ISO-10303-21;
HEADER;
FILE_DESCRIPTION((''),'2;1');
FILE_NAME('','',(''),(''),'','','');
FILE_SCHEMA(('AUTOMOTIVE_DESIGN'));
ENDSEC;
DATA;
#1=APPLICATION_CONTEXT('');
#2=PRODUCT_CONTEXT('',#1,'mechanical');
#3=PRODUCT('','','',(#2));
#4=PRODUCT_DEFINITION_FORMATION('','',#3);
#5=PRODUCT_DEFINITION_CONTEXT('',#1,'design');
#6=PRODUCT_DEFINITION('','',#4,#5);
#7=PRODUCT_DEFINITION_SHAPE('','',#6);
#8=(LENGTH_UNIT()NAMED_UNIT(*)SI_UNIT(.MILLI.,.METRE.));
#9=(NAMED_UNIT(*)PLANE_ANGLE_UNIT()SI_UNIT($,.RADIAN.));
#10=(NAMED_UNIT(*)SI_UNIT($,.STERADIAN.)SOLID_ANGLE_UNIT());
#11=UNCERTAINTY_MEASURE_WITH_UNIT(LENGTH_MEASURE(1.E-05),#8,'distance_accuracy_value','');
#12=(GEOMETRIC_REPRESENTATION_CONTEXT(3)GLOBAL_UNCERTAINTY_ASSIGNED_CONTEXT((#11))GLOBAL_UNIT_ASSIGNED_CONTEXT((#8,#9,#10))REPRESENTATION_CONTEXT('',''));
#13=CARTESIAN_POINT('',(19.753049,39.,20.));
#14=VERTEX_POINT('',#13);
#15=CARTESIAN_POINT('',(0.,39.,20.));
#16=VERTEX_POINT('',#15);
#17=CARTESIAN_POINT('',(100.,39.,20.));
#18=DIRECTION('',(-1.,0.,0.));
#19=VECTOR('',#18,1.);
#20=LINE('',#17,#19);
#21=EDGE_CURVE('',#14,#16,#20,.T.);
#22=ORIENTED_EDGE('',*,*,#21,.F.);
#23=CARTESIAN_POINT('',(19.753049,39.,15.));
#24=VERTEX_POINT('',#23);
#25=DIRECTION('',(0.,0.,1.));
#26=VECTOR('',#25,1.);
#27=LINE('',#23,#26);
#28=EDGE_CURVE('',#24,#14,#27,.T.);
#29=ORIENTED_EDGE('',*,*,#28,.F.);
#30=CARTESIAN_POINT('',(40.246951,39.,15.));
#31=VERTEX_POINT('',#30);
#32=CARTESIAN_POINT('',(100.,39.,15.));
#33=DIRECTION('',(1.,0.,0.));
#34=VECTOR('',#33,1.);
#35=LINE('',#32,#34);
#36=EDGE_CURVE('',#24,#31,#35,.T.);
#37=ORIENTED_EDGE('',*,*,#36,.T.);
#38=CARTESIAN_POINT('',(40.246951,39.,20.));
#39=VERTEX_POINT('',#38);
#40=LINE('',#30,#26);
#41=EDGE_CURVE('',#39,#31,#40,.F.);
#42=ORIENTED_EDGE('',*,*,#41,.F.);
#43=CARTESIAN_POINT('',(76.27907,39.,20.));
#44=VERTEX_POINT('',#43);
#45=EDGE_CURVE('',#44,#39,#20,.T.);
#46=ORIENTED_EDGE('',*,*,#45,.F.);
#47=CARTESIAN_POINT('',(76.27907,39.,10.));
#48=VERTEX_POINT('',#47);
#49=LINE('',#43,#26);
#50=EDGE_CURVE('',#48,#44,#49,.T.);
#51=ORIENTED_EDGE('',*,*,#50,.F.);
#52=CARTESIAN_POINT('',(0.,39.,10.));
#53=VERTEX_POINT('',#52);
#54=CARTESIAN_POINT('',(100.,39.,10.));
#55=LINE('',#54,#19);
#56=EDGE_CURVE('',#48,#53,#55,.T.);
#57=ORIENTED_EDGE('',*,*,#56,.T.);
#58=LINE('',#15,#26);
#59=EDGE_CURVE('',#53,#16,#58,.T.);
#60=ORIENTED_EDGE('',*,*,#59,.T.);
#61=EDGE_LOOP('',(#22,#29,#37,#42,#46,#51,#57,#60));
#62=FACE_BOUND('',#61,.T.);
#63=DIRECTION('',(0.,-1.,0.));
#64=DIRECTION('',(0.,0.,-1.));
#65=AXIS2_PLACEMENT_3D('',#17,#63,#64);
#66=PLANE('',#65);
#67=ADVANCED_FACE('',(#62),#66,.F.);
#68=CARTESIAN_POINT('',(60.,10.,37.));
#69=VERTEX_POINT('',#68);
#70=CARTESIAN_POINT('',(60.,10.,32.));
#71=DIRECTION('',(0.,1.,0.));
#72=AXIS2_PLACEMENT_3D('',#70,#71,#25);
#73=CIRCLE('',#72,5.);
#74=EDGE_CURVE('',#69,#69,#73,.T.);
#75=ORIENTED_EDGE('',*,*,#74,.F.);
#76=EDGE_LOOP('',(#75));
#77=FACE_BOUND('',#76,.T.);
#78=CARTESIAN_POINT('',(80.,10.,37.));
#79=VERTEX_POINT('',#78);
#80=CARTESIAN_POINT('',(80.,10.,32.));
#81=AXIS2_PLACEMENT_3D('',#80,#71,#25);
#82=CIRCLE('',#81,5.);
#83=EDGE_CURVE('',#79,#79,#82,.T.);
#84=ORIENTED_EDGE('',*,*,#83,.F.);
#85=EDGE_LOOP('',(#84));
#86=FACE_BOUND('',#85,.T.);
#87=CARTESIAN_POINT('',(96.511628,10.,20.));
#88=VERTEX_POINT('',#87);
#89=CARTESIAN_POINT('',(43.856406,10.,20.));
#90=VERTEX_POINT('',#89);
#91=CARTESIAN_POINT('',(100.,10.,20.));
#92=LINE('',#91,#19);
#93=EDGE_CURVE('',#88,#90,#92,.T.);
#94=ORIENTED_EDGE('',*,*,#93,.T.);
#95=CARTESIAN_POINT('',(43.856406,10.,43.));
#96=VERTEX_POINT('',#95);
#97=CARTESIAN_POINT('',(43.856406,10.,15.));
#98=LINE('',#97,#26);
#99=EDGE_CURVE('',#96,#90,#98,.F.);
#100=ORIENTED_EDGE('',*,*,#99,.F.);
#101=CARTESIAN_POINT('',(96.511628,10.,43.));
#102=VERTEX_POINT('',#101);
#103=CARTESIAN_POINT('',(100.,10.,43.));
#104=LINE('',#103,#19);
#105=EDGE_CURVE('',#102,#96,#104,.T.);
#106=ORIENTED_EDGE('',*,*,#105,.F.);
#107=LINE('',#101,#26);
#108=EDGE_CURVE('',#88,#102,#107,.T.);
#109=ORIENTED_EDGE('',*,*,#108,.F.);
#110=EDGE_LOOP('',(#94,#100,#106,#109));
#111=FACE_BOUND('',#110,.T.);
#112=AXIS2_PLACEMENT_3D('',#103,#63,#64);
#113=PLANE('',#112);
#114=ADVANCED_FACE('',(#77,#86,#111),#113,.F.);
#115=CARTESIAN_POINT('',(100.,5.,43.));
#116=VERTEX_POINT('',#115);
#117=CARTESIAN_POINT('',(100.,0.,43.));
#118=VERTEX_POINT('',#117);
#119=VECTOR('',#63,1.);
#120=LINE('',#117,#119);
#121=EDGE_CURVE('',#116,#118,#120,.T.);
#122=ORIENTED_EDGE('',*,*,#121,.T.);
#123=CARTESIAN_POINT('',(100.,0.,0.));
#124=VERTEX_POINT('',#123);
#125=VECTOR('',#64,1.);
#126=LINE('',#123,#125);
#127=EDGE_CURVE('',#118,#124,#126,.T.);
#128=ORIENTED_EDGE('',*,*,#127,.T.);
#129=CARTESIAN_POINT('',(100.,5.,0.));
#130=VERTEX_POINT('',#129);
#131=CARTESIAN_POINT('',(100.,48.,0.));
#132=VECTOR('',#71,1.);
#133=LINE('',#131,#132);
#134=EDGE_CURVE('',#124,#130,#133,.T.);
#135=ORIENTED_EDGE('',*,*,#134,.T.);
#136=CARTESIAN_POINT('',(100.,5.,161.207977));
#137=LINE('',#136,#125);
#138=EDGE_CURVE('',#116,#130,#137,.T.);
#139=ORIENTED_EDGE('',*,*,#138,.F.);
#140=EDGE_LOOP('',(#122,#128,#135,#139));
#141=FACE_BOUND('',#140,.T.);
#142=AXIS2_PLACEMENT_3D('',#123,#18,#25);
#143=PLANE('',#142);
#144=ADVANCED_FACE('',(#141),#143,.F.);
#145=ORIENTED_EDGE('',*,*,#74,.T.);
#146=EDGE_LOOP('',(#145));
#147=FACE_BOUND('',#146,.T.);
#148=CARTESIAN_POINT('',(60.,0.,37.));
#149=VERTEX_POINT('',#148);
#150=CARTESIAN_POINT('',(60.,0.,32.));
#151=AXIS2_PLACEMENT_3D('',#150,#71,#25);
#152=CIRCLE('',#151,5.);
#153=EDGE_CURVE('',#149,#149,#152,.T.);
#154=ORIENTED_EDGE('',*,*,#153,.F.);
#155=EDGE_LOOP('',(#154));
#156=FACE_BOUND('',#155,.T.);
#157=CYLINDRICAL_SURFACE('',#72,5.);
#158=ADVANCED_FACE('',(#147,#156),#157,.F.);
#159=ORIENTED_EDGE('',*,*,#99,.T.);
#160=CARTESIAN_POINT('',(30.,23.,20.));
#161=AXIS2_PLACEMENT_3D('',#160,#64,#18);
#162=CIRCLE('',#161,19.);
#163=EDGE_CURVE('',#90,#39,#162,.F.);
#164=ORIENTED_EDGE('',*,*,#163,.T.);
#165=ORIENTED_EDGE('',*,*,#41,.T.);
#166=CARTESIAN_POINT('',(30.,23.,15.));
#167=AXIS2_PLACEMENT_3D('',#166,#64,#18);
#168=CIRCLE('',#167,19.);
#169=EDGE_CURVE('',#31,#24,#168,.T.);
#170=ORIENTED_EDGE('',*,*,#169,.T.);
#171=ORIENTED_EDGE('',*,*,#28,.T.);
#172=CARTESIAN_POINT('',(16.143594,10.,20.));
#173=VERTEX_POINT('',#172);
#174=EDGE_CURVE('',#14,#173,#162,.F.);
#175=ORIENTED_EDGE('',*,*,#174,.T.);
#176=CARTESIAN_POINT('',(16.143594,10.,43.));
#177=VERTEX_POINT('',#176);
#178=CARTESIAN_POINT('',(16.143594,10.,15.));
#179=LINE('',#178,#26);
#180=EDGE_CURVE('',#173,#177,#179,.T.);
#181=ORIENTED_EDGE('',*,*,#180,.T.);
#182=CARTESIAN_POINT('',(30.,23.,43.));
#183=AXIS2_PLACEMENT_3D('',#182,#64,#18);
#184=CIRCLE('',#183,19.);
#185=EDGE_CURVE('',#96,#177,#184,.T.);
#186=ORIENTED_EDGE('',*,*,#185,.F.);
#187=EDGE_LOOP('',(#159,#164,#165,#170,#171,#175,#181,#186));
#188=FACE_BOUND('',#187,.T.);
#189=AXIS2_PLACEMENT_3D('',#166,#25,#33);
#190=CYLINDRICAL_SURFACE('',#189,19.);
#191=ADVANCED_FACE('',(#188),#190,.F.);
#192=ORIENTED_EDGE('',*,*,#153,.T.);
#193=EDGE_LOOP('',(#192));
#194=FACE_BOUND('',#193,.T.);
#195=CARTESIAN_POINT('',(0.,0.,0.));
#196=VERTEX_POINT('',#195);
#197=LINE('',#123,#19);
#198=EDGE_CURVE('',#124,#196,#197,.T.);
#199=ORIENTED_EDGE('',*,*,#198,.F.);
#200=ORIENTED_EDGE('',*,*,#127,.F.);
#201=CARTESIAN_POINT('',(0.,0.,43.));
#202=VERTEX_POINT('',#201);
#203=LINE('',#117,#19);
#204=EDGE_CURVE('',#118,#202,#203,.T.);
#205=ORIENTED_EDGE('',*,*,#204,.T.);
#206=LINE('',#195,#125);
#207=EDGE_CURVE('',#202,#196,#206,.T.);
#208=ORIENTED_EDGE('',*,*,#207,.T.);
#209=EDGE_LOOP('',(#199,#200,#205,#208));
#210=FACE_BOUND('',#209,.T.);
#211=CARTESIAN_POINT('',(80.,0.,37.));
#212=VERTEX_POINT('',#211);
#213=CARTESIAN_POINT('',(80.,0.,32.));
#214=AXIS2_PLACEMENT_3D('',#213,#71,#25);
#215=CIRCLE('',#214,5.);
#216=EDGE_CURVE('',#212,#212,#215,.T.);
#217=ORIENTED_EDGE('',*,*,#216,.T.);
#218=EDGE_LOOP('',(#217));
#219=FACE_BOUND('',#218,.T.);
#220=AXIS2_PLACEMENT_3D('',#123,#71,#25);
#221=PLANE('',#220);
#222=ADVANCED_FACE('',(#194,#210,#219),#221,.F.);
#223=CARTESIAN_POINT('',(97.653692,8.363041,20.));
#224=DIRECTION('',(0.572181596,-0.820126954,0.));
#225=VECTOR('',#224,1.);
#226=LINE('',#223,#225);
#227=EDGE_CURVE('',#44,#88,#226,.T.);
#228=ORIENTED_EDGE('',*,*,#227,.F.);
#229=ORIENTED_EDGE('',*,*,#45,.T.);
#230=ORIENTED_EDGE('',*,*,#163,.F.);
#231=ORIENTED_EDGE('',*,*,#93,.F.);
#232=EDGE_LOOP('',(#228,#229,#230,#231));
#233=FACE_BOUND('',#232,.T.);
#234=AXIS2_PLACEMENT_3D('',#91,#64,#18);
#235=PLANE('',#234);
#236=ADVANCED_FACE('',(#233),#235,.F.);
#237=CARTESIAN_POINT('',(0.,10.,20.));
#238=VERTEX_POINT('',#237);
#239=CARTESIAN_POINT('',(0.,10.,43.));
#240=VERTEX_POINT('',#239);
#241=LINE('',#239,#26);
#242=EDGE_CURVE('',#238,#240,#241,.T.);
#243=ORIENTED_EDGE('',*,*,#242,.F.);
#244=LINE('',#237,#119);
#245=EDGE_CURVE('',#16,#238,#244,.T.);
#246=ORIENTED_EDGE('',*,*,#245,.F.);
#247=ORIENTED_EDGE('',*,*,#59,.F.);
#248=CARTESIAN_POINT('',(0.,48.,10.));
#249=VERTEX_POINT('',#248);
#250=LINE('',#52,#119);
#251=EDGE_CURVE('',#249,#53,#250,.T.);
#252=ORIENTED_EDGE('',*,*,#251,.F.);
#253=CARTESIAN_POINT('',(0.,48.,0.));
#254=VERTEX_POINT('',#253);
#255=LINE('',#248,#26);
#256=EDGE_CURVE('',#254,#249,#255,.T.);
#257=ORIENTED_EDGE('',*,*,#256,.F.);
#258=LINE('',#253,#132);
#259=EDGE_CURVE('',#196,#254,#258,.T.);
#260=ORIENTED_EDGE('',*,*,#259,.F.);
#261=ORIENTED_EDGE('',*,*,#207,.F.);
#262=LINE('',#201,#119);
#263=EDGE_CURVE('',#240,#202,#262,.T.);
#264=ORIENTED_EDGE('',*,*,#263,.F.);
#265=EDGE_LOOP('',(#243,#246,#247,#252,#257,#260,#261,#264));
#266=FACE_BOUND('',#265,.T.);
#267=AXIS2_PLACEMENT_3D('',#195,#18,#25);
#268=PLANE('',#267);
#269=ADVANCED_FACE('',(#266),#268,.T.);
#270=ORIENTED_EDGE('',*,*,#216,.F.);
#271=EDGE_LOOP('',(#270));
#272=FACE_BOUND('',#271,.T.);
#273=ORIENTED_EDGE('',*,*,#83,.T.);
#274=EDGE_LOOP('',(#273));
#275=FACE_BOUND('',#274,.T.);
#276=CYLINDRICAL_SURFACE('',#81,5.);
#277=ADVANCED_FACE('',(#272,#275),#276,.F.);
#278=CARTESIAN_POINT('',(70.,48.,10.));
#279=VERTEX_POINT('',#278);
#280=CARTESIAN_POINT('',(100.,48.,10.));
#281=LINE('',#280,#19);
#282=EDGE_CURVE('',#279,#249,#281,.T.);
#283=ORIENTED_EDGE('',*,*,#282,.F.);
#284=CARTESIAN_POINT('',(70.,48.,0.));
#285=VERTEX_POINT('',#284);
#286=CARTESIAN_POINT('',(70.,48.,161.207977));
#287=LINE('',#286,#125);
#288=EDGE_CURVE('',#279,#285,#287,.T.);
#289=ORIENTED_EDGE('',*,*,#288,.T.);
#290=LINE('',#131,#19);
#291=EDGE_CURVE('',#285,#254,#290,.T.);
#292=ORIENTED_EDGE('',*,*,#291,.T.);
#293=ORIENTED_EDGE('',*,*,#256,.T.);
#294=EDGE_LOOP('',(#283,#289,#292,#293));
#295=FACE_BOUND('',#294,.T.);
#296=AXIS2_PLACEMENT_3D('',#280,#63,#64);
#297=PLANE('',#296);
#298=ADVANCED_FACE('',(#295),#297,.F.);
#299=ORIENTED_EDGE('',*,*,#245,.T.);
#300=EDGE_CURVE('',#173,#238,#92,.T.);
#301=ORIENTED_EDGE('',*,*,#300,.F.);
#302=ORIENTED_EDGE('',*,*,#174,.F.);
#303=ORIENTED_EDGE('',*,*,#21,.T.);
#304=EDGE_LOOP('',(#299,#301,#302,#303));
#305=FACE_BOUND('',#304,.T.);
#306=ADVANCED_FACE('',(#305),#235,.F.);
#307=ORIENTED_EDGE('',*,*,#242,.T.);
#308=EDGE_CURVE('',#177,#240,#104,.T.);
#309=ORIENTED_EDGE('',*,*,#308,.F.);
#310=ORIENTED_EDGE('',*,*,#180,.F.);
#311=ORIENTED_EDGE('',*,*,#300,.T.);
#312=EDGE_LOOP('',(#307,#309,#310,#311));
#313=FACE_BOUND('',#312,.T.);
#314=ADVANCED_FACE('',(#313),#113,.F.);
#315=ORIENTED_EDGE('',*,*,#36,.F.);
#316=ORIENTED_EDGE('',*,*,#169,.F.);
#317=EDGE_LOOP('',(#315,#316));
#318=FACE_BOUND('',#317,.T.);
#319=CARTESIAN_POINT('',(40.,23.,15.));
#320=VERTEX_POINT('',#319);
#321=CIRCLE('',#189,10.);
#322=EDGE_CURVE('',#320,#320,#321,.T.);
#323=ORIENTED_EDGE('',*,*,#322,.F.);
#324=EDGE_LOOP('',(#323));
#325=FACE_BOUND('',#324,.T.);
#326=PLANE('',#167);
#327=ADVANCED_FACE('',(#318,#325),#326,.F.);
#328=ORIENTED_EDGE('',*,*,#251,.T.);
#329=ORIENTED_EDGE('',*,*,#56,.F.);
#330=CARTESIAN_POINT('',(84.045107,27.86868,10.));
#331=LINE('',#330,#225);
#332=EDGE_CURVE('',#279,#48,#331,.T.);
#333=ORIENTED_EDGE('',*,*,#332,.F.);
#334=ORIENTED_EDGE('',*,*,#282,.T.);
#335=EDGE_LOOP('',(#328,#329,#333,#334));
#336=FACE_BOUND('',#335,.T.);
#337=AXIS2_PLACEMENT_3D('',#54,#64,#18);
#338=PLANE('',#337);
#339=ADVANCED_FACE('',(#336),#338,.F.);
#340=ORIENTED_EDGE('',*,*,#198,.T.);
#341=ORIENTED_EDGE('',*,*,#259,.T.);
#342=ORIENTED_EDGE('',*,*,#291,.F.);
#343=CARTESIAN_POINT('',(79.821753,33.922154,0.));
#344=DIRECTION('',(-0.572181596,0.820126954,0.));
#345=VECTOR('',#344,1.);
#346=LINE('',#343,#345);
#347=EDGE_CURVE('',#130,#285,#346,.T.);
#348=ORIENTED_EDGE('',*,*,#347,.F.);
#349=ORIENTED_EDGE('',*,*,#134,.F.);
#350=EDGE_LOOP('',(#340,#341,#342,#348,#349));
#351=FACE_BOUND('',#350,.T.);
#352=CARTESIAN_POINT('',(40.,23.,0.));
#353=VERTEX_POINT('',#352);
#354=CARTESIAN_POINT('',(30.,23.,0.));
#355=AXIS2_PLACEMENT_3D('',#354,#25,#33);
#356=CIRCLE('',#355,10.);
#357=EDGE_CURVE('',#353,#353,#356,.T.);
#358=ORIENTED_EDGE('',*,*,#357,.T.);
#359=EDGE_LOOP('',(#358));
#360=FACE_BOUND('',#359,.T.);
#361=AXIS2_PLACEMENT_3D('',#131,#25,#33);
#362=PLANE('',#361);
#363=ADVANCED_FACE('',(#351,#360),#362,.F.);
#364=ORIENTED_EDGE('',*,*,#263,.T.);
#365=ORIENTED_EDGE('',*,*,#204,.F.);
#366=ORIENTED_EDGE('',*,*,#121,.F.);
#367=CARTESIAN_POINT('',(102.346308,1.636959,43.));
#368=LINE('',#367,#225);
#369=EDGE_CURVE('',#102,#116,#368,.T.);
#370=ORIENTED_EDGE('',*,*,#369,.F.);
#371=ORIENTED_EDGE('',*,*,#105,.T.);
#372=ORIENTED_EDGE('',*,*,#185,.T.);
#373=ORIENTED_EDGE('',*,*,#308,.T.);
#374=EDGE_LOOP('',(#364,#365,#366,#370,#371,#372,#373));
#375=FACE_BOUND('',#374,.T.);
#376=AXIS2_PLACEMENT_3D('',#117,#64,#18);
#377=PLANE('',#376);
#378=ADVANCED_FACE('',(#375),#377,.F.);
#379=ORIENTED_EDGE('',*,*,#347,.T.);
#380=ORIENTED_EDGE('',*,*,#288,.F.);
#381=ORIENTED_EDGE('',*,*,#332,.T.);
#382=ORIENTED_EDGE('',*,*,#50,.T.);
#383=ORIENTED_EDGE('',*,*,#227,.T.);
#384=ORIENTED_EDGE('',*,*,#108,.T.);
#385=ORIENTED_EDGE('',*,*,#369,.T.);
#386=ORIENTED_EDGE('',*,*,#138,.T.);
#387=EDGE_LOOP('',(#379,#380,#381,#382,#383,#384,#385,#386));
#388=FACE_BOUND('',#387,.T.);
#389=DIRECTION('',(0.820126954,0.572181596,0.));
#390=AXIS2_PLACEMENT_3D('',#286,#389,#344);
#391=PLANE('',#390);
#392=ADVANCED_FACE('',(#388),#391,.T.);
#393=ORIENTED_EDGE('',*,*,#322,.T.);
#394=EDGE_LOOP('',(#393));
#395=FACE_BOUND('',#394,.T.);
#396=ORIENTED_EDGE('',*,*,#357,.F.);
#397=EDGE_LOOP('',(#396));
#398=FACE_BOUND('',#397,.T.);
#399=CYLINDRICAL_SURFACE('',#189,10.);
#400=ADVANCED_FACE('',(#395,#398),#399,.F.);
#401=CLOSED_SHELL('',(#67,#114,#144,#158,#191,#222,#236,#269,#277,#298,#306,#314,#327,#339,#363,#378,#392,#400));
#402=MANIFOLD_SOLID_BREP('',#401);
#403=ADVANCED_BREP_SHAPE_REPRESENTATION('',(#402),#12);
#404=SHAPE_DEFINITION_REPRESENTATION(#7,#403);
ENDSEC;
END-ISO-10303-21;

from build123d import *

# Parameters (mm, degrees)
ESTRUSIONE_ESTRUSIONE1_DEPTH  = 100
TAGLIO_ESTRUSIONE1_DEPTH      = 119.966381806
TAGLIO_ESTRUSIONE1_DEPTH_BACK = 119.966381806
TAGLIO_ESTRUSIONE2_DEPTH      = 142.966381806
TAGLIO_ESTRUSIONE2_DEPTH_BACK = 5
TAGLIO_ESTRUSIONE2_START      = -23
SCHIZZO3_R                    = 19
FORO_20_0_20_1_D              = 20
FORO_10_0_10_1_D              = 10


with BuildPart() as part:
    # Schizzo1 → Estrusione-Estrusione1 (new body)
    with BuildSketch(Plane(origin=(0, 0, 0), x_dir=(0, 0, -1), z_dir=(1, 0, 0))):
        Polygon((0, 48), (0, 0), (-43, 0), (-43, 10), (-20, 10), (-20, 39), (-10, 39), (-10, 48), align=None)
    extrude(amount=ESTRUSIONE_ESTRUSIONE1_DEPTH)

    # Schizzo2 → Taglio-Estrusione1 (cut, two sides: drawn at the far end of the back side and taken through both)
    with BuildSketch(Plane.XY.offset(-TAGLIO_ESTRUSIONE1_DEPTH_BACK)):
        Polygon((-60.289310715, 234.748012024), (70, 48), (100, 5), (230.289310715, -181.748012024), (603.785334763, 78.830609405), (313.206713334, 495.326633453), align=None)
    extrude(amount=TAGLIO_ESTRUSIONE1_DEPTH + TAGLIO_ESTRUSIONE1_DEPTH_BACK, mode=Mode.SUBTRACT)

    # Schizzo3 → Taglio-Estrusione2 (cut, two sides: drawn at the far end of the back side and taken through both)
    with BuildSketch(Plane.XY.offset(43).offset(TAGLIO_ESTRUSIONE2_START - TAGLIO_ESTRUSIONE2_DEPTH_BACK)):
        with Locations((30, 23)):
            Circle(SCHIZZO3_R)
    extrude(amount=TAGLIO_ESTRUSIONE2_DEPTH + TAGLIO_ESTRUSIONE2_DEPTH_BACK, mode=Mode.SUBTRACT)

    # Foro Ø20.0 (20)-1 (through all)
    with Locations(Plane.XY.offset(15)):
        with Locations((30, 23)):
            Hole(FORO_20_0_20_1_D / 2)

    # Foro Ø10.0 (10)-1 (through all)
    with Locations(Plane(origin=(0, 10, 0), x_dir=(1, 0, 0), z_dir=(0, 1, 0))):
        with Locations((80, -32), (60, -32)):
            Hole(FORO_10_0_10_1_D / 2)


solid = part.part
